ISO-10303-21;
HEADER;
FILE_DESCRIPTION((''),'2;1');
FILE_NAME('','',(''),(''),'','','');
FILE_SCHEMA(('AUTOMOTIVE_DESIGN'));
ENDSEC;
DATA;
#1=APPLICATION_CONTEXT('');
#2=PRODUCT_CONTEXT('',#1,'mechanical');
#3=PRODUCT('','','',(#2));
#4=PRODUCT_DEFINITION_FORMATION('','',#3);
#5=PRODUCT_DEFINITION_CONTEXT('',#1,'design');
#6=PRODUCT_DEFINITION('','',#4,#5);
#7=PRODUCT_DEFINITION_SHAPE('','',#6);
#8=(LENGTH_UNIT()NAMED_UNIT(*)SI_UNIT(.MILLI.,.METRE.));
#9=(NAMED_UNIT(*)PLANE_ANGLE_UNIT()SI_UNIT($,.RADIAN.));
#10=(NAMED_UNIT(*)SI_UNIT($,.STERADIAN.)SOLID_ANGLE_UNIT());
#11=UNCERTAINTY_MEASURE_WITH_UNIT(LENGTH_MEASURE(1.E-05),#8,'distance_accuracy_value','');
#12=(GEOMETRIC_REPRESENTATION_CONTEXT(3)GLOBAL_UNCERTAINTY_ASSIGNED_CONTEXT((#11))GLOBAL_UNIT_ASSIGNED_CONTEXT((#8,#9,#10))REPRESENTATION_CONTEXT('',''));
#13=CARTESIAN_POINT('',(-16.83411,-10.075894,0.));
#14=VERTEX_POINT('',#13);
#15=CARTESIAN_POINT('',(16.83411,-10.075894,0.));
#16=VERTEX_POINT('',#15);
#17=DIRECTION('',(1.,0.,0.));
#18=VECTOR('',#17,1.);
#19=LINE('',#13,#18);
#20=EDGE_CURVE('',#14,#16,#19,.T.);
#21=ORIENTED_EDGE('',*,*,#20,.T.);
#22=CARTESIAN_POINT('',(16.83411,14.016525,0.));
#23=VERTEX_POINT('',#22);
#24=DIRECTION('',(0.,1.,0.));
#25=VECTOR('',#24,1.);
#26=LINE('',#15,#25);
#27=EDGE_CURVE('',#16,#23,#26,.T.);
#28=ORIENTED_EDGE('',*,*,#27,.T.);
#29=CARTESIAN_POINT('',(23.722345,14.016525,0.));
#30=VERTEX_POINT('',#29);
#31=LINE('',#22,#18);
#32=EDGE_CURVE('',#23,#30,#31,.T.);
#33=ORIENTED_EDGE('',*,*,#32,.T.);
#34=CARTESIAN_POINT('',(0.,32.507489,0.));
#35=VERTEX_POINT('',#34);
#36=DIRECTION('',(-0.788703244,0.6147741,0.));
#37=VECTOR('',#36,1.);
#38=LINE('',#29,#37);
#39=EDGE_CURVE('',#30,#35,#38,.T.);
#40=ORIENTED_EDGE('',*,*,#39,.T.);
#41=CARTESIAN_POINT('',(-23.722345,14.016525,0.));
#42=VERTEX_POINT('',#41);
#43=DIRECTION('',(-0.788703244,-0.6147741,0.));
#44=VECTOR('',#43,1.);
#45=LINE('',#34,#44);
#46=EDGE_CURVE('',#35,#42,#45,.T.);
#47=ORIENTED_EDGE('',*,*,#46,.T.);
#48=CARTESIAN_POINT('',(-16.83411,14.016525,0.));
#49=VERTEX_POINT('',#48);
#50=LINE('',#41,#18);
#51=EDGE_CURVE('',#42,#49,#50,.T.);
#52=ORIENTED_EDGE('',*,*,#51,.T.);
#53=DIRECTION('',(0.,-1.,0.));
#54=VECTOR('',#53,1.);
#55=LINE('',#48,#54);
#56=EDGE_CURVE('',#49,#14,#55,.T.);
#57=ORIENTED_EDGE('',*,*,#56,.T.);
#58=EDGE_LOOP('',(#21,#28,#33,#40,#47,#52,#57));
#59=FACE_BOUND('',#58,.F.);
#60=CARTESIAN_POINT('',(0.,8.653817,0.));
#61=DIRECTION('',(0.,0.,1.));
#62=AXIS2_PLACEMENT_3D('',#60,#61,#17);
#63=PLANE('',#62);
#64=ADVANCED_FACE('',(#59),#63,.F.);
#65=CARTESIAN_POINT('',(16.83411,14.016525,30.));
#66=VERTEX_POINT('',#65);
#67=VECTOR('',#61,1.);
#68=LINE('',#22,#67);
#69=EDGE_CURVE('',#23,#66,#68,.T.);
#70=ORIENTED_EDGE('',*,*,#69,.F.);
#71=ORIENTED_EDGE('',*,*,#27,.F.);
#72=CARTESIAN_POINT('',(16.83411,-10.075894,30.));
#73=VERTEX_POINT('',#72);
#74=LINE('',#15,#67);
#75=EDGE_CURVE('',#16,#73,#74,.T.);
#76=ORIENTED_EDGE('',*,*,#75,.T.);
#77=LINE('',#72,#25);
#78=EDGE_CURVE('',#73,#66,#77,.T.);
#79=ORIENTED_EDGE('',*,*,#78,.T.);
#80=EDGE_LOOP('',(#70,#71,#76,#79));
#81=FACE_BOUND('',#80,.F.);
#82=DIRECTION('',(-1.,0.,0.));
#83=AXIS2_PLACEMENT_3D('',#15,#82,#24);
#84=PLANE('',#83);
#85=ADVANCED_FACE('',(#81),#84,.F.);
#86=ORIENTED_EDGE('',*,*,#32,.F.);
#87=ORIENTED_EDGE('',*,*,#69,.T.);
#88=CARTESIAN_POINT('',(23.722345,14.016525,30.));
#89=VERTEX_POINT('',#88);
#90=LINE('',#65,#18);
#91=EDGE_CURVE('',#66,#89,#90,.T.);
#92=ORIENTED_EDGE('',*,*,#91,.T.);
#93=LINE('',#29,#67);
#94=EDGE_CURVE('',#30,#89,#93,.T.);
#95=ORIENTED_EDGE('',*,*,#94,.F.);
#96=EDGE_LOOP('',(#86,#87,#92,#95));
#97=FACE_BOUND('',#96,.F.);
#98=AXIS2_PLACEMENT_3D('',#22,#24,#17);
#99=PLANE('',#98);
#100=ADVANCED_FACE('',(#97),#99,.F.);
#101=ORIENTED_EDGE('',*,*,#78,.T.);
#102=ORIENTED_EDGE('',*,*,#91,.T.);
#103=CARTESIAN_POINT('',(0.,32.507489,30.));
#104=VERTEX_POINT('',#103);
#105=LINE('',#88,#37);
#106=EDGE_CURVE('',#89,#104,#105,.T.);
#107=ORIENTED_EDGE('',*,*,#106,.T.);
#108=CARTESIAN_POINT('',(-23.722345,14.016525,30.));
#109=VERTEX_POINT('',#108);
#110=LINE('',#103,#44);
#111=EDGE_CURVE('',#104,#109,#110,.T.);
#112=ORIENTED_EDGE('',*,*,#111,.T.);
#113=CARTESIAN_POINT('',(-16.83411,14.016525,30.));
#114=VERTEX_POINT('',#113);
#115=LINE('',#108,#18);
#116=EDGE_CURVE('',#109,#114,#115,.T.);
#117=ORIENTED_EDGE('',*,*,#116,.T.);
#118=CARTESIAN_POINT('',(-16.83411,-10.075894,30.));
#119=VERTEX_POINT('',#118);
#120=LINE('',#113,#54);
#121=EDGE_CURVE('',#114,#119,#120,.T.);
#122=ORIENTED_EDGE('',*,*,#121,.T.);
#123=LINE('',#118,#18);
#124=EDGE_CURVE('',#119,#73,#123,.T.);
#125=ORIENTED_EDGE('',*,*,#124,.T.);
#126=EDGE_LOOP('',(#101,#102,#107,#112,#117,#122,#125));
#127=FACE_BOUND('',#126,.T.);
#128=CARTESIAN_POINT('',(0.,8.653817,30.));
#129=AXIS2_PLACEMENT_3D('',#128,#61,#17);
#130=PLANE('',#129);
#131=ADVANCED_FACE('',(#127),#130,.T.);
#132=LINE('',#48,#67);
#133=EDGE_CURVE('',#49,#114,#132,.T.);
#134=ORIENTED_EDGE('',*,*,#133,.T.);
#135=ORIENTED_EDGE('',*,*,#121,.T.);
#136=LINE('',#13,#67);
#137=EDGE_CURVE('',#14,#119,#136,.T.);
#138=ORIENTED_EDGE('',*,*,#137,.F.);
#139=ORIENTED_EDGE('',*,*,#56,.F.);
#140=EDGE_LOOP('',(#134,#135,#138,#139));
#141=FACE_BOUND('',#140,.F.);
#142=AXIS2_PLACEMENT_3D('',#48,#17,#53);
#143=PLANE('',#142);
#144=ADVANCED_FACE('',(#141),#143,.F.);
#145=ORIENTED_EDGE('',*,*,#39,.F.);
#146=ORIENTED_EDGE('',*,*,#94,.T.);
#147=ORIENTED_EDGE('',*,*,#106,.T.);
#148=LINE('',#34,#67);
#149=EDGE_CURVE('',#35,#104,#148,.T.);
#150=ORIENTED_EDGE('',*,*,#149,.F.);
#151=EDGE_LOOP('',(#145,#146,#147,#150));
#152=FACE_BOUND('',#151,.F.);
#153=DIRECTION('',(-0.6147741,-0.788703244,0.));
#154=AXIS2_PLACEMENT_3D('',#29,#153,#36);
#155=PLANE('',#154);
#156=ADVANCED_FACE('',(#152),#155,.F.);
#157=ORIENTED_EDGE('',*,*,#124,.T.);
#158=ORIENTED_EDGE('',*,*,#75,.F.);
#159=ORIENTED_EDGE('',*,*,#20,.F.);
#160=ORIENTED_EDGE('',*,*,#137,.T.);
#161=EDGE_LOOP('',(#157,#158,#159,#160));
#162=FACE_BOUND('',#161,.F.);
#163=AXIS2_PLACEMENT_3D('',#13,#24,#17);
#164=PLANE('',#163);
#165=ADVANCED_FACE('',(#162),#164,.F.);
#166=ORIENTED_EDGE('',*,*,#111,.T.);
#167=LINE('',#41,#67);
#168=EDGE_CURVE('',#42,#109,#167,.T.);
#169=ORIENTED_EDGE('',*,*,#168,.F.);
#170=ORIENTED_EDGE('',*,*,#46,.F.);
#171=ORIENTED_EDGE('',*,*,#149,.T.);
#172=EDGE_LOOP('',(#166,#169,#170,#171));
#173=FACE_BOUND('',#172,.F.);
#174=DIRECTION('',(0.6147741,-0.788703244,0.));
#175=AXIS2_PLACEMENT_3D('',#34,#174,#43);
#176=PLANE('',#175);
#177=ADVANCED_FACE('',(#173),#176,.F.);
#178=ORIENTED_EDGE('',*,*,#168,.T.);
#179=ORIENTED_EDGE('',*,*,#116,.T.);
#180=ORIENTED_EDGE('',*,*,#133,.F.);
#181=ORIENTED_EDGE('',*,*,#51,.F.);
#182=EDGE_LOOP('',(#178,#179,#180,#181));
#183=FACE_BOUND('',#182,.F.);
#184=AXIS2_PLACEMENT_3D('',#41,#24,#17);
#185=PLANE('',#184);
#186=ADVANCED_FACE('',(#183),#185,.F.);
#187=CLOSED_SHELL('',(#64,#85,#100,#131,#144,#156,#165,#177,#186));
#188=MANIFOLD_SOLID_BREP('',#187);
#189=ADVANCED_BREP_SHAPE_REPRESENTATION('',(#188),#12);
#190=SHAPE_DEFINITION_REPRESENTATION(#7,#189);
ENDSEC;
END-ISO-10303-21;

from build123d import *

# Parameters (mm, degrees)
PAD_DEPTH = 30


with BuildPart() as part:
    # Sketch → Pad (new body)
    with BuildSketch(Plane.XY):
        Polygon((-16.83411, 14.016525), (-16.83411, -10.075894), (16.83411, -10.075894), (16.83411, 14.016525), (23.722345, 14.016525), (0, 32.507489), (-23.722345, 14.016525), align=None)
    extrude(amount=PAD_DEPTH)


solid = part.part
